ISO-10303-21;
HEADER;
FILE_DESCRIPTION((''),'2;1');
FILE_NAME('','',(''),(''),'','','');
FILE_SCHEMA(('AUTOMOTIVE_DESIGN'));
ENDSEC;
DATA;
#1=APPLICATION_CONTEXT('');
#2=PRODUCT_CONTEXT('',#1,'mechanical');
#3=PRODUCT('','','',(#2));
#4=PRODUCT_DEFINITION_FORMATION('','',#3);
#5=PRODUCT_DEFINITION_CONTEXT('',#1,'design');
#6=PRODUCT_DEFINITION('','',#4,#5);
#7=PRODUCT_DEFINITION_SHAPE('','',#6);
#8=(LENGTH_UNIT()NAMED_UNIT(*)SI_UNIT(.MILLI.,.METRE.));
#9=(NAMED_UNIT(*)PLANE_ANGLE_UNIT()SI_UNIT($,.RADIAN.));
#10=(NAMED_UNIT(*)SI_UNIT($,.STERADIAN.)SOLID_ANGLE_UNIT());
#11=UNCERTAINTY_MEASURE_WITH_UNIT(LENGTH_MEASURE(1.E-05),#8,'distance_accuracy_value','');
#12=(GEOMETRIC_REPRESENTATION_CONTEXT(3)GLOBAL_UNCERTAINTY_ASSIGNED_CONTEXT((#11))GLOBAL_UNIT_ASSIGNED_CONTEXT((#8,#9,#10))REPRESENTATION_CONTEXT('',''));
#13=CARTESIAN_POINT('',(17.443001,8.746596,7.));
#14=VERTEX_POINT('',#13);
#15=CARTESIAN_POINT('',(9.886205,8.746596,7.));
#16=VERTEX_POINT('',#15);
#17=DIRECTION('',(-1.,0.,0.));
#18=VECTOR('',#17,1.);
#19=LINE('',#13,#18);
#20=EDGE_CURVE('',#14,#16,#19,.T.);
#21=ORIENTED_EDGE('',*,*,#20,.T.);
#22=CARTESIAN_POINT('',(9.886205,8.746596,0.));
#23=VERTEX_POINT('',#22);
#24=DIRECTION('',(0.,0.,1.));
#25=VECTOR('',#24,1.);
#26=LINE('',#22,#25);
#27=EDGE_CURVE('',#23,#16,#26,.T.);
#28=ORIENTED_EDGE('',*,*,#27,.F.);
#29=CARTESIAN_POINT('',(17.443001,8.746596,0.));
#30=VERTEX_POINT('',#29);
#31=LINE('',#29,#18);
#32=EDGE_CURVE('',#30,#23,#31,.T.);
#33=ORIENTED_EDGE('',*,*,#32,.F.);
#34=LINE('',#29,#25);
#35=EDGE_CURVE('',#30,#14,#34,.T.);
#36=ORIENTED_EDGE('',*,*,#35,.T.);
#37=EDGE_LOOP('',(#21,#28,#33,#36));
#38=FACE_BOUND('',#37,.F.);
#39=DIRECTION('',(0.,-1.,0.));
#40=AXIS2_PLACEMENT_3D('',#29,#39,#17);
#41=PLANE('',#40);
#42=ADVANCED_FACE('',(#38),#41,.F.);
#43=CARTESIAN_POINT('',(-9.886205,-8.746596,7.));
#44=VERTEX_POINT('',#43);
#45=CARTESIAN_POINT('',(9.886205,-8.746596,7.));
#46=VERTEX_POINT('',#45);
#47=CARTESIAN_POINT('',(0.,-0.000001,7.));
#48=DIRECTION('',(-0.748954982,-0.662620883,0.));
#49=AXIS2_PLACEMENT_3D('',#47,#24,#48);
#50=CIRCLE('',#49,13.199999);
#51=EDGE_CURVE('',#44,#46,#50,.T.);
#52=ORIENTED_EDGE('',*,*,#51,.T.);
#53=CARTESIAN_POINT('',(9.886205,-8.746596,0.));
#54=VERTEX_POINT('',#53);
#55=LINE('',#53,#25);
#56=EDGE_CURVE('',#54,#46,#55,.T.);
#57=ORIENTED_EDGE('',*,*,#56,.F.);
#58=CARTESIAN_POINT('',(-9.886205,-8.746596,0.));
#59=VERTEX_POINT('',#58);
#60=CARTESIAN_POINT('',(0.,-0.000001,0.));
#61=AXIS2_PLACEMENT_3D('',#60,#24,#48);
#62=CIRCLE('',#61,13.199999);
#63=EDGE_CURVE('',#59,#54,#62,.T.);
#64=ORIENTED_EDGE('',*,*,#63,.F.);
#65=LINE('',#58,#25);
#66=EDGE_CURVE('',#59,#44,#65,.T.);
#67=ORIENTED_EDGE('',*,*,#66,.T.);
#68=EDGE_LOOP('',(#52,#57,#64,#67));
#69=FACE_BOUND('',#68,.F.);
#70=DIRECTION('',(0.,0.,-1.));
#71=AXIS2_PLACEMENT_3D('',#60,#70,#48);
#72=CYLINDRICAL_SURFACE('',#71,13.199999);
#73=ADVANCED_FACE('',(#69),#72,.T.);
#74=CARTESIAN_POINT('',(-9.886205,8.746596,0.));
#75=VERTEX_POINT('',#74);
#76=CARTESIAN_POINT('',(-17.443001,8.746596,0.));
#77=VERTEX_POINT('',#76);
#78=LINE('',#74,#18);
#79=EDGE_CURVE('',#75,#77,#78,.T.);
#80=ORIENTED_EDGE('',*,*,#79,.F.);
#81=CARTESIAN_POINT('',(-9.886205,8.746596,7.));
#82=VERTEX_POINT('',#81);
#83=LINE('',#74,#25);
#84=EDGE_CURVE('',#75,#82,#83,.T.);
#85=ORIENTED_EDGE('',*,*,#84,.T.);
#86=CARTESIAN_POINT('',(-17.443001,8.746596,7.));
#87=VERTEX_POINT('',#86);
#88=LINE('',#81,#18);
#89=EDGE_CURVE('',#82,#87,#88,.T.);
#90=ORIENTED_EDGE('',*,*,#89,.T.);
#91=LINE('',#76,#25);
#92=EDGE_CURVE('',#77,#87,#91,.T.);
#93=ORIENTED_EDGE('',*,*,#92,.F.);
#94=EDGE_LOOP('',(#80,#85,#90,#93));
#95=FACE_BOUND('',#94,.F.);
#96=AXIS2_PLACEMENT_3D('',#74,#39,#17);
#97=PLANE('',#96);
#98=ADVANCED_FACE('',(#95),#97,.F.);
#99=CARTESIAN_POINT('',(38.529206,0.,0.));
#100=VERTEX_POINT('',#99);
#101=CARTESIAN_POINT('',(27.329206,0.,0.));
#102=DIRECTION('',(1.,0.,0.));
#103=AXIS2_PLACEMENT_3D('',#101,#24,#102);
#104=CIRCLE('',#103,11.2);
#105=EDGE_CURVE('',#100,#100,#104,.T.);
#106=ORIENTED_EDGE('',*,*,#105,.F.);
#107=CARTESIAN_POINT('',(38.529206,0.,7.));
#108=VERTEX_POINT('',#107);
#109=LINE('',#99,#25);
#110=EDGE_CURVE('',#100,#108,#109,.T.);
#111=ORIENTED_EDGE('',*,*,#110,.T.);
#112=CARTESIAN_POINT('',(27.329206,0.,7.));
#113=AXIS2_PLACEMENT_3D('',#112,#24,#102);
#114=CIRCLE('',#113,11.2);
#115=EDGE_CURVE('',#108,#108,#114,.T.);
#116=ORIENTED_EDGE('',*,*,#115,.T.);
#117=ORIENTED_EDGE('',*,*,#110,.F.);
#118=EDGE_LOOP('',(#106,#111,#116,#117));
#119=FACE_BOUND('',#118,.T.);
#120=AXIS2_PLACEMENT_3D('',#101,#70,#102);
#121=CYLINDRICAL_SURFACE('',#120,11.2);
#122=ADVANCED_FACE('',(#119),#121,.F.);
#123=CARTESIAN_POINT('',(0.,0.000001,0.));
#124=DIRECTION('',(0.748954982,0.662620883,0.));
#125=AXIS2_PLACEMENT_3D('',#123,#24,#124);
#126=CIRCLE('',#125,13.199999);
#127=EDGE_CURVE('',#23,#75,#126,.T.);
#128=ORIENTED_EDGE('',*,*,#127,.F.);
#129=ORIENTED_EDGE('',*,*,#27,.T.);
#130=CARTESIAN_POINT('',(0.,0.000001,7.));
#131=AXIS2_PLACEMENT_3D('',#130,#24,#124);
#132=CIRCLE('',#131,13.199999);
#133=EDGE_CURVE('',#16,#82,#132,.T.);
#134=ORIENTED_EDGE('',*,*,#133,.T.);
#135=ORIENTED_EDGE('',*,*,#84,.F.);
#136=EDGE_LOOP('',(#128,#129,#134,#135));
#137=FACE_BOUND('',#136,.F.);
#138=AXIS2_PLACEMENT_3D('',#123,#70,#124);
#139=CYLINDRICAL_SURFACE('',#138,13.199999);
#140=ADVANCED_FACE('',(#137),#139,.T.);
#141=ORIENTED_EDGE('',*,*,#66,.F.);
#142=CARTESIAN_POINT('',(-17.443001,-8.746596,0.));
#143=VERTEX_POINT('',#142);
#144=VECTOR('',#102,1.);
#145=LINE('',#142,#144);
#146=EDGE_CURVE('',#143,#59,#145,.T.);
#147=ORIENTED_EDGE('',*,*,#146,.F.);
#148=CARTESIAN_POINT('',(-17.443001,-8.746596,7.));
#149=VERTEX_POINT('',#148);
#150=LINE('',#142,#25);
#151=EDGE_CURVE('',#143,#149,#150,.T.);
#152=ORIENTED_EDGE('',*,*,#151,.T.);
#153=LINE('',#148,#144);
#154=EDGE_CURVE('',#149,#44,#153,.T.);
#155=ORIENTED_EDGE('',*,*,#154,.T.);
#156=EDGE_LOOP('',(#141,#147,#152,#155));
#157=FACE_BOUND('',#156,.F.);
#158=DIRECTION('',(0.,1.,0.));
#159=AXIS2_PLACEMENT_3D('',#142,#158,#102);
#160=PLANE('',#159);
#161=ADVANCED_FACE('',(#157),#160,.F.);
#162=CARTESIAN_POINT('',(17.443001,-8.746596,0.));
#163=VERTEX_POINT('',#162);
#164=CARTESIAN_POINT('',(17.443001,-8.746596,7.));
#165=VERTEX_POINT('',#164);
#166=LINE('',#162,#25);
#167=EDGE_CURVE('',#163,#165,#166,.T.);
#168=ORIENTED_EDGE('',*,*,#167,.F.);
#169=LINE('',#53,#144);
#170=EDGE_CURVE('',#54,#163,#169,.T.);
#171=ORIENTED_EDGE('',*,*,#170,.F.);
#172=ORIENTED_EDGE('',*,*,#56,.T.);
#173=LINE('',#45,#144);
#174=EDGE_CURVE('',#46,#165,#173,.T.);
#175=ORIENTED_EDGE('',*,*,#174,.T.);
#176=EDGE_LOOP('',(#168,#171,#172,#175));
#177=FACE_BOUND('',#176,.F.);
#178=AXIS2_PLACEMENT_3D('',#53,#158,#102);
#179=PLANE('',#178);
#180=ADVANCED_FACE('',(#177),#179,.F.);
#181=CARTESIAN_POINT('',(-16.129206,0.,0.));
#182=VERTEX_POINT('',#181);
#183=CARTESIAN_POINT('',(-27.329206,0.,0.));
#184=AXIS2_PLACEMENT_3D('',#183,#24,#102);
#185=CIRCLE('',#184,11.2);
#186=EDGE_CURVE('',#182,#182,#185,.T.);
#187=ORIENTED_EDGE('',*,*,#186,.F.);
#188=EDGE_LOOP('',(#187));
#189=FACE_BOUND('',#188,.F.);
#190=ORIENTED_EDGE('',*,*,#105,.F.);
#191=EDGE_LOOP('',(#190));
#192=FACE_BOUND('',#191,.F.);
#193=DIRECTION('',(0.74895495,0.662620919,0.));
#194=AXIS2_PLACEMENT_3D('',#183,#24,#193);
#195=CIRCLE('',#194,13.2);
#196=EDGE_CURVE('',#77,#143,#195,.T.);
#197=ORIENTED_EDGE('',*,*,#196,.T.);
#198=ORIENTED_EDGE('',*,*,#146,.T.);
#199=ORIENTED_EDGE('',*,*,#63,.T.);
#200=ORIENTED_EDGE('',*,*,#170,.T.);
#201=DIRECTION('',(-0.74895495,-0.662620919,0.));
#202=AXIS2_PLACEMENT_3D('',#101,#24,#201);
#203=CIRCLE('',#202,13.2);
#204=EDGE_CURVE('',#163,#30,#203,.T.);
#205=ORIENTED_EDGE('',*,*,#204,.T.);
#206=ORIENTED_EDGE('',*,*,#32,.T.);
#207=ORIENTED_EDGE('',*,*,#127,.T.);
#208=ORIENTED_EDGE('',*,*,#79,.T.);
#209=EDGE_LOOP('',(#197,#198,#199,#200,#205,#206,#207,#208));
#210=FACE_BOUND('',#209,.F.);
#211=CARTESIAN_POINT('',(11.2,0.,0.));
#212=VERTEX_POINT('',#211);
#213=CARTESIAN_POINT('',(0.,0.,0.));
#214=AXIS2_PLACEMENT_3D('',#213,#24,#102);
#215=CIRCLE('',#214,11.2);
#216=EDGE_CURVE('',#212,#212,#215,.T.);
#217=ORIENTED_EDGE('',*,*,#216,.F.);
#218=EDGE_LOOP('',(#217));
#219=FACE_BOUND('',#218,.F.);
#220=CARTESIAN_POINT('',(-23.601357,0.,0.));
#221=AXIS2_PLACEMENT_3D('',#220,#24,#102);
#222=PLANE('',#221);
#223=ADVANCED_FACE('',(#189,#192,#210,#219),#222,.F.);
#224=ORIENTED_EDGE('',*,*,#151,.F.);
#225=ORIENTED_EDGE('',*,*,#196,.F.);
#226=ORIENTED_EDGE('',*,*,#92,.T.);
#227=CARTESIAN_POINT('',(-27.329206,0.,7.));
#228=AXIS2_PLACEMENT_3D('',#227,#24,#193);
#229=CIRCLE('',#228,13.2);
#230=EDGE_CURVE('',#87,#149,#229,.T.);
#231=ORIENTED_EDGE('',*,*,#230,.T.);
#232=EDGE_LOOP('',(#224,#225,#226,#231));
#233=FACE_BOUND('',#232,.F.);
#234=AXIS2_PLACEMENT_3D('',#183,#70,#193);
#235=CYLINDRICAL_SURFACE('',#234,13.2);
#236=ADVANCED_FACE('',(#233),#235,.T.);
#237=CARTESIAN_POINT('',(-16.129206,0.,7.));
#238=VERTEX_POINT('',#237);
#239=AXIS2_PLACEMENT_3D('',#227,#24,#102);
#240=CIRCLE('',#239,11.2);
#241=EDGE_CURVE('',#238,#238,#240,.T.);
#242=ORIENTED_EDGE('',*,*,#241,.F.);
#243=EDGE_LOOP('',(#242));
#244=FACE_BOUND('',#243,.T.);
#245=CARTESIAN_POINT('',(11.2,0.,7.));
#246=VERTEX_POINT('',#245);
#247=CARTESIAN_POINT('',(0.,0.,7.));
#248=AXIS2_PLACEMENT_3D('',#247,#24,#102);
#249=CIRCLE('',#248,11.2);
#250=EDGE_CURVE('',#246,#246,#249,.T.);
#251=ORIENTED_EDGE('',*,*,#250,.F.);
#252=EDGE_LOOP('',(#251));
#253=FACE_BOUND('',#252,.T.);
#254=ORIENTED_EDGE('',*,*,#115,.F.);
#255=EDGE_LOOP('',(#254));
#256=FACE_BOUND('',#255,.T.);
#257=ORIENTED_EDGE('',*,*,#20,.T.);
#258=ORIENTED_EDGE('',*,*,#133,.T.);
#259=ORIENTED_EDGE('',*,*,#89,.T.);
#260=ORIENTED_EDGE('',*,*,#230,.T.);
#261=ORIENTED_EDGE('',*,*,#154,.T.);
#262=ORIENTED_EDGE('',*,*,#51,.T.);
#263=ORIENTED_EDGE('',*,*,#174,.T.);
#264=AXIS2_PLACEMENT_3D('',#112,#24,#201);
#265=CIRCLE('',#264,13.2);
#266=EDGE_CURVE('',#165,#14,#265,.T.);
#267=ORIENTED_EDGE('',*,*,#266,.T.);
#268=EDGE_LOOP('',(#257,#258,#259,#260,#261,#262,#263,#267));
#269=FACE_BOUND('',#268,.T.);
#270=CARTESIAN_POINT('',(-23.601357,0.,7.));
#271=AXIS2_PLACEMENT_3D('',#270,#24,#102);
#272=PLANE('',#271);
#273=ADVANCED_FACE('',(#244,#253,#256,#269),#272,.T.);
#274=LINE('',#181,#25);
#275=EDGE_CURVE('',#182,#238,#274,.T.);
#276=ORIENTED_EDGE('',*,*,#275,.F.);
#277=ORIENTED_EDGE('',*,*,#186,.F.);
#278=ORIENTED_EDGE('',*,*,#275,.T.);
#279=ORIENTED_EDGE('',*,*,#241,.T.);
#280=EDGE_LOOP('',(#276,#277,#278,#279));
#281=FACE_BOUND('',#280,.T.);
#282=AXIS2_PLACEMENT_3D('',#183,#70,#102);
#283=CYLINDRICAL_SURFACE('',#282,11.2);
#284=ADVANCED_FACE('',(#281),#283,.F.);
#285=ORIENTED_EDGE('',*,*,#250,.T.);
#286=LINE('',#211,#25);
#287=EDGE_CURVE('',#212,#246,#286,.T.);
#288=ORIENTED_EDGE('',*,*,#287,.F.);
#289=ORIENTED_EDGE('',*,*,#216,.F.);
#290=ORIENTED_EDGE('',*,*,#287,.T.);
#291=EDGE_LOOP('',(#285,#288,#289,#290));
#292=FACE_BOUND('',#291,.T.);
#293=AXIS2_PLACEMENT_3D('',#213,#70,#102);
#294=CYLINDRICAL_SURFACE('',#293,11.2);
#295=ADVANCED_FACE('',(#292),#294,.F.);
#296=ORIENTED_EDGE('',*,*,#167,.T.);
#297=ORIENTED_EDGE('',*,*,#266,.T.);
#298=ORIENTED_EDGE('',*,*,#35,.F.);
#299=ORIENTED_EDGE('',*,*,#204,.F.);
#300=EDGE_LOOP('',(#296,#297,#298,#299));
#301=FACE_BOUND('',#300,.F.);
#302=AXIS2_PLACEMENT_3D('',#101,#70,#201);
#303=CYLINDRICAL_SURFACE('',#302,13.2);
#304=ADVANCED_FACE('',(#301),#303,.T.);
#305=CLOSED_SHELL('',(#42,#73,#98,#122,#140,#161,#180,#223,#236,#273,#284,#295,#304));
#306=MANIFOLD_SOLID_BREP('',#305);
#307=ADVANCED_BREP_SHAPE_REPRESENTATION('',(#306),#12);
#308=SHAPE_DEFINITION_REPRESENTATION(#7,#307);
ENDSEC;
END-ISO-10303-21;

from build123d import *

# Parameters (mm, degrees)
F0_R     = 11.2
F1_DEPTH = 7


with BuildPart() as f1:
    # F0 (on Top) → F1 (new body)
    with BuildSketch(Plane.XY):
        with BuildLine():
            ThreePointArc((-9.886205, -8.746596), (-13.2, 0), (-9.886205, 8.746596))
            Line((-9.886205, 8.746596), (-17.443001, 8.746596))
            ThreePointArc((-17.443001, 8.746596), (-40.529206, 0), (-17.443001, -8.746596))
            Line((-17.443001, -8.746596), (-9.886205, -8.746596))
        make_face()
        with Locations((-27.329206, 0)):
            Circle(F0_R, mode=Mode.SUBTRACT)
        with BuildLine():
            ThreePointArc((9.886205, 8.746596), (12.343782, 4.676649), (13.2, 0))
            ThreePointArc((13.2, 0), (12.343782, -4.676649), (9.886205, -8.746596))
            Line((9.886205, -8.746596), (17.443001, -8.746596))
            ThreePointArc((17.443001, -8.746596), (40.529206, 0), (17.443001, 8.746596))
            Line((17.443001, 8.746596), (9.886205, 8.746596))
        make_face()
        with Locations((27.329206, 0)):
            Circle(F0_R, mode=Mode.SUBTRACT)
        with BuildLine():
            ThreePointArc((9.886205, -8.746596), (12.343782, -4.676649), (13.2, 0))
            ThreePointArc((13.2, 0), (12.343782, 4.676649), (9.886205, 8.746596))
            ThreePointArc((9.886205, 8.746596), (0, 13.2), (-9.886205, 8.746596))
            ThreePointArc((-9.886205, 8.746596), (-13.2, 0), (-9.886205, -8.746596))
            ThreePointArc((-9.886205, -8.746596), (0, -13.2), (9.886205, -8.746596))
        make_face()
        Circle(F0_R, mode=Mode.SUBTRACT)
    extrude(amount=F1_DEPTH)


solid = f1.part
